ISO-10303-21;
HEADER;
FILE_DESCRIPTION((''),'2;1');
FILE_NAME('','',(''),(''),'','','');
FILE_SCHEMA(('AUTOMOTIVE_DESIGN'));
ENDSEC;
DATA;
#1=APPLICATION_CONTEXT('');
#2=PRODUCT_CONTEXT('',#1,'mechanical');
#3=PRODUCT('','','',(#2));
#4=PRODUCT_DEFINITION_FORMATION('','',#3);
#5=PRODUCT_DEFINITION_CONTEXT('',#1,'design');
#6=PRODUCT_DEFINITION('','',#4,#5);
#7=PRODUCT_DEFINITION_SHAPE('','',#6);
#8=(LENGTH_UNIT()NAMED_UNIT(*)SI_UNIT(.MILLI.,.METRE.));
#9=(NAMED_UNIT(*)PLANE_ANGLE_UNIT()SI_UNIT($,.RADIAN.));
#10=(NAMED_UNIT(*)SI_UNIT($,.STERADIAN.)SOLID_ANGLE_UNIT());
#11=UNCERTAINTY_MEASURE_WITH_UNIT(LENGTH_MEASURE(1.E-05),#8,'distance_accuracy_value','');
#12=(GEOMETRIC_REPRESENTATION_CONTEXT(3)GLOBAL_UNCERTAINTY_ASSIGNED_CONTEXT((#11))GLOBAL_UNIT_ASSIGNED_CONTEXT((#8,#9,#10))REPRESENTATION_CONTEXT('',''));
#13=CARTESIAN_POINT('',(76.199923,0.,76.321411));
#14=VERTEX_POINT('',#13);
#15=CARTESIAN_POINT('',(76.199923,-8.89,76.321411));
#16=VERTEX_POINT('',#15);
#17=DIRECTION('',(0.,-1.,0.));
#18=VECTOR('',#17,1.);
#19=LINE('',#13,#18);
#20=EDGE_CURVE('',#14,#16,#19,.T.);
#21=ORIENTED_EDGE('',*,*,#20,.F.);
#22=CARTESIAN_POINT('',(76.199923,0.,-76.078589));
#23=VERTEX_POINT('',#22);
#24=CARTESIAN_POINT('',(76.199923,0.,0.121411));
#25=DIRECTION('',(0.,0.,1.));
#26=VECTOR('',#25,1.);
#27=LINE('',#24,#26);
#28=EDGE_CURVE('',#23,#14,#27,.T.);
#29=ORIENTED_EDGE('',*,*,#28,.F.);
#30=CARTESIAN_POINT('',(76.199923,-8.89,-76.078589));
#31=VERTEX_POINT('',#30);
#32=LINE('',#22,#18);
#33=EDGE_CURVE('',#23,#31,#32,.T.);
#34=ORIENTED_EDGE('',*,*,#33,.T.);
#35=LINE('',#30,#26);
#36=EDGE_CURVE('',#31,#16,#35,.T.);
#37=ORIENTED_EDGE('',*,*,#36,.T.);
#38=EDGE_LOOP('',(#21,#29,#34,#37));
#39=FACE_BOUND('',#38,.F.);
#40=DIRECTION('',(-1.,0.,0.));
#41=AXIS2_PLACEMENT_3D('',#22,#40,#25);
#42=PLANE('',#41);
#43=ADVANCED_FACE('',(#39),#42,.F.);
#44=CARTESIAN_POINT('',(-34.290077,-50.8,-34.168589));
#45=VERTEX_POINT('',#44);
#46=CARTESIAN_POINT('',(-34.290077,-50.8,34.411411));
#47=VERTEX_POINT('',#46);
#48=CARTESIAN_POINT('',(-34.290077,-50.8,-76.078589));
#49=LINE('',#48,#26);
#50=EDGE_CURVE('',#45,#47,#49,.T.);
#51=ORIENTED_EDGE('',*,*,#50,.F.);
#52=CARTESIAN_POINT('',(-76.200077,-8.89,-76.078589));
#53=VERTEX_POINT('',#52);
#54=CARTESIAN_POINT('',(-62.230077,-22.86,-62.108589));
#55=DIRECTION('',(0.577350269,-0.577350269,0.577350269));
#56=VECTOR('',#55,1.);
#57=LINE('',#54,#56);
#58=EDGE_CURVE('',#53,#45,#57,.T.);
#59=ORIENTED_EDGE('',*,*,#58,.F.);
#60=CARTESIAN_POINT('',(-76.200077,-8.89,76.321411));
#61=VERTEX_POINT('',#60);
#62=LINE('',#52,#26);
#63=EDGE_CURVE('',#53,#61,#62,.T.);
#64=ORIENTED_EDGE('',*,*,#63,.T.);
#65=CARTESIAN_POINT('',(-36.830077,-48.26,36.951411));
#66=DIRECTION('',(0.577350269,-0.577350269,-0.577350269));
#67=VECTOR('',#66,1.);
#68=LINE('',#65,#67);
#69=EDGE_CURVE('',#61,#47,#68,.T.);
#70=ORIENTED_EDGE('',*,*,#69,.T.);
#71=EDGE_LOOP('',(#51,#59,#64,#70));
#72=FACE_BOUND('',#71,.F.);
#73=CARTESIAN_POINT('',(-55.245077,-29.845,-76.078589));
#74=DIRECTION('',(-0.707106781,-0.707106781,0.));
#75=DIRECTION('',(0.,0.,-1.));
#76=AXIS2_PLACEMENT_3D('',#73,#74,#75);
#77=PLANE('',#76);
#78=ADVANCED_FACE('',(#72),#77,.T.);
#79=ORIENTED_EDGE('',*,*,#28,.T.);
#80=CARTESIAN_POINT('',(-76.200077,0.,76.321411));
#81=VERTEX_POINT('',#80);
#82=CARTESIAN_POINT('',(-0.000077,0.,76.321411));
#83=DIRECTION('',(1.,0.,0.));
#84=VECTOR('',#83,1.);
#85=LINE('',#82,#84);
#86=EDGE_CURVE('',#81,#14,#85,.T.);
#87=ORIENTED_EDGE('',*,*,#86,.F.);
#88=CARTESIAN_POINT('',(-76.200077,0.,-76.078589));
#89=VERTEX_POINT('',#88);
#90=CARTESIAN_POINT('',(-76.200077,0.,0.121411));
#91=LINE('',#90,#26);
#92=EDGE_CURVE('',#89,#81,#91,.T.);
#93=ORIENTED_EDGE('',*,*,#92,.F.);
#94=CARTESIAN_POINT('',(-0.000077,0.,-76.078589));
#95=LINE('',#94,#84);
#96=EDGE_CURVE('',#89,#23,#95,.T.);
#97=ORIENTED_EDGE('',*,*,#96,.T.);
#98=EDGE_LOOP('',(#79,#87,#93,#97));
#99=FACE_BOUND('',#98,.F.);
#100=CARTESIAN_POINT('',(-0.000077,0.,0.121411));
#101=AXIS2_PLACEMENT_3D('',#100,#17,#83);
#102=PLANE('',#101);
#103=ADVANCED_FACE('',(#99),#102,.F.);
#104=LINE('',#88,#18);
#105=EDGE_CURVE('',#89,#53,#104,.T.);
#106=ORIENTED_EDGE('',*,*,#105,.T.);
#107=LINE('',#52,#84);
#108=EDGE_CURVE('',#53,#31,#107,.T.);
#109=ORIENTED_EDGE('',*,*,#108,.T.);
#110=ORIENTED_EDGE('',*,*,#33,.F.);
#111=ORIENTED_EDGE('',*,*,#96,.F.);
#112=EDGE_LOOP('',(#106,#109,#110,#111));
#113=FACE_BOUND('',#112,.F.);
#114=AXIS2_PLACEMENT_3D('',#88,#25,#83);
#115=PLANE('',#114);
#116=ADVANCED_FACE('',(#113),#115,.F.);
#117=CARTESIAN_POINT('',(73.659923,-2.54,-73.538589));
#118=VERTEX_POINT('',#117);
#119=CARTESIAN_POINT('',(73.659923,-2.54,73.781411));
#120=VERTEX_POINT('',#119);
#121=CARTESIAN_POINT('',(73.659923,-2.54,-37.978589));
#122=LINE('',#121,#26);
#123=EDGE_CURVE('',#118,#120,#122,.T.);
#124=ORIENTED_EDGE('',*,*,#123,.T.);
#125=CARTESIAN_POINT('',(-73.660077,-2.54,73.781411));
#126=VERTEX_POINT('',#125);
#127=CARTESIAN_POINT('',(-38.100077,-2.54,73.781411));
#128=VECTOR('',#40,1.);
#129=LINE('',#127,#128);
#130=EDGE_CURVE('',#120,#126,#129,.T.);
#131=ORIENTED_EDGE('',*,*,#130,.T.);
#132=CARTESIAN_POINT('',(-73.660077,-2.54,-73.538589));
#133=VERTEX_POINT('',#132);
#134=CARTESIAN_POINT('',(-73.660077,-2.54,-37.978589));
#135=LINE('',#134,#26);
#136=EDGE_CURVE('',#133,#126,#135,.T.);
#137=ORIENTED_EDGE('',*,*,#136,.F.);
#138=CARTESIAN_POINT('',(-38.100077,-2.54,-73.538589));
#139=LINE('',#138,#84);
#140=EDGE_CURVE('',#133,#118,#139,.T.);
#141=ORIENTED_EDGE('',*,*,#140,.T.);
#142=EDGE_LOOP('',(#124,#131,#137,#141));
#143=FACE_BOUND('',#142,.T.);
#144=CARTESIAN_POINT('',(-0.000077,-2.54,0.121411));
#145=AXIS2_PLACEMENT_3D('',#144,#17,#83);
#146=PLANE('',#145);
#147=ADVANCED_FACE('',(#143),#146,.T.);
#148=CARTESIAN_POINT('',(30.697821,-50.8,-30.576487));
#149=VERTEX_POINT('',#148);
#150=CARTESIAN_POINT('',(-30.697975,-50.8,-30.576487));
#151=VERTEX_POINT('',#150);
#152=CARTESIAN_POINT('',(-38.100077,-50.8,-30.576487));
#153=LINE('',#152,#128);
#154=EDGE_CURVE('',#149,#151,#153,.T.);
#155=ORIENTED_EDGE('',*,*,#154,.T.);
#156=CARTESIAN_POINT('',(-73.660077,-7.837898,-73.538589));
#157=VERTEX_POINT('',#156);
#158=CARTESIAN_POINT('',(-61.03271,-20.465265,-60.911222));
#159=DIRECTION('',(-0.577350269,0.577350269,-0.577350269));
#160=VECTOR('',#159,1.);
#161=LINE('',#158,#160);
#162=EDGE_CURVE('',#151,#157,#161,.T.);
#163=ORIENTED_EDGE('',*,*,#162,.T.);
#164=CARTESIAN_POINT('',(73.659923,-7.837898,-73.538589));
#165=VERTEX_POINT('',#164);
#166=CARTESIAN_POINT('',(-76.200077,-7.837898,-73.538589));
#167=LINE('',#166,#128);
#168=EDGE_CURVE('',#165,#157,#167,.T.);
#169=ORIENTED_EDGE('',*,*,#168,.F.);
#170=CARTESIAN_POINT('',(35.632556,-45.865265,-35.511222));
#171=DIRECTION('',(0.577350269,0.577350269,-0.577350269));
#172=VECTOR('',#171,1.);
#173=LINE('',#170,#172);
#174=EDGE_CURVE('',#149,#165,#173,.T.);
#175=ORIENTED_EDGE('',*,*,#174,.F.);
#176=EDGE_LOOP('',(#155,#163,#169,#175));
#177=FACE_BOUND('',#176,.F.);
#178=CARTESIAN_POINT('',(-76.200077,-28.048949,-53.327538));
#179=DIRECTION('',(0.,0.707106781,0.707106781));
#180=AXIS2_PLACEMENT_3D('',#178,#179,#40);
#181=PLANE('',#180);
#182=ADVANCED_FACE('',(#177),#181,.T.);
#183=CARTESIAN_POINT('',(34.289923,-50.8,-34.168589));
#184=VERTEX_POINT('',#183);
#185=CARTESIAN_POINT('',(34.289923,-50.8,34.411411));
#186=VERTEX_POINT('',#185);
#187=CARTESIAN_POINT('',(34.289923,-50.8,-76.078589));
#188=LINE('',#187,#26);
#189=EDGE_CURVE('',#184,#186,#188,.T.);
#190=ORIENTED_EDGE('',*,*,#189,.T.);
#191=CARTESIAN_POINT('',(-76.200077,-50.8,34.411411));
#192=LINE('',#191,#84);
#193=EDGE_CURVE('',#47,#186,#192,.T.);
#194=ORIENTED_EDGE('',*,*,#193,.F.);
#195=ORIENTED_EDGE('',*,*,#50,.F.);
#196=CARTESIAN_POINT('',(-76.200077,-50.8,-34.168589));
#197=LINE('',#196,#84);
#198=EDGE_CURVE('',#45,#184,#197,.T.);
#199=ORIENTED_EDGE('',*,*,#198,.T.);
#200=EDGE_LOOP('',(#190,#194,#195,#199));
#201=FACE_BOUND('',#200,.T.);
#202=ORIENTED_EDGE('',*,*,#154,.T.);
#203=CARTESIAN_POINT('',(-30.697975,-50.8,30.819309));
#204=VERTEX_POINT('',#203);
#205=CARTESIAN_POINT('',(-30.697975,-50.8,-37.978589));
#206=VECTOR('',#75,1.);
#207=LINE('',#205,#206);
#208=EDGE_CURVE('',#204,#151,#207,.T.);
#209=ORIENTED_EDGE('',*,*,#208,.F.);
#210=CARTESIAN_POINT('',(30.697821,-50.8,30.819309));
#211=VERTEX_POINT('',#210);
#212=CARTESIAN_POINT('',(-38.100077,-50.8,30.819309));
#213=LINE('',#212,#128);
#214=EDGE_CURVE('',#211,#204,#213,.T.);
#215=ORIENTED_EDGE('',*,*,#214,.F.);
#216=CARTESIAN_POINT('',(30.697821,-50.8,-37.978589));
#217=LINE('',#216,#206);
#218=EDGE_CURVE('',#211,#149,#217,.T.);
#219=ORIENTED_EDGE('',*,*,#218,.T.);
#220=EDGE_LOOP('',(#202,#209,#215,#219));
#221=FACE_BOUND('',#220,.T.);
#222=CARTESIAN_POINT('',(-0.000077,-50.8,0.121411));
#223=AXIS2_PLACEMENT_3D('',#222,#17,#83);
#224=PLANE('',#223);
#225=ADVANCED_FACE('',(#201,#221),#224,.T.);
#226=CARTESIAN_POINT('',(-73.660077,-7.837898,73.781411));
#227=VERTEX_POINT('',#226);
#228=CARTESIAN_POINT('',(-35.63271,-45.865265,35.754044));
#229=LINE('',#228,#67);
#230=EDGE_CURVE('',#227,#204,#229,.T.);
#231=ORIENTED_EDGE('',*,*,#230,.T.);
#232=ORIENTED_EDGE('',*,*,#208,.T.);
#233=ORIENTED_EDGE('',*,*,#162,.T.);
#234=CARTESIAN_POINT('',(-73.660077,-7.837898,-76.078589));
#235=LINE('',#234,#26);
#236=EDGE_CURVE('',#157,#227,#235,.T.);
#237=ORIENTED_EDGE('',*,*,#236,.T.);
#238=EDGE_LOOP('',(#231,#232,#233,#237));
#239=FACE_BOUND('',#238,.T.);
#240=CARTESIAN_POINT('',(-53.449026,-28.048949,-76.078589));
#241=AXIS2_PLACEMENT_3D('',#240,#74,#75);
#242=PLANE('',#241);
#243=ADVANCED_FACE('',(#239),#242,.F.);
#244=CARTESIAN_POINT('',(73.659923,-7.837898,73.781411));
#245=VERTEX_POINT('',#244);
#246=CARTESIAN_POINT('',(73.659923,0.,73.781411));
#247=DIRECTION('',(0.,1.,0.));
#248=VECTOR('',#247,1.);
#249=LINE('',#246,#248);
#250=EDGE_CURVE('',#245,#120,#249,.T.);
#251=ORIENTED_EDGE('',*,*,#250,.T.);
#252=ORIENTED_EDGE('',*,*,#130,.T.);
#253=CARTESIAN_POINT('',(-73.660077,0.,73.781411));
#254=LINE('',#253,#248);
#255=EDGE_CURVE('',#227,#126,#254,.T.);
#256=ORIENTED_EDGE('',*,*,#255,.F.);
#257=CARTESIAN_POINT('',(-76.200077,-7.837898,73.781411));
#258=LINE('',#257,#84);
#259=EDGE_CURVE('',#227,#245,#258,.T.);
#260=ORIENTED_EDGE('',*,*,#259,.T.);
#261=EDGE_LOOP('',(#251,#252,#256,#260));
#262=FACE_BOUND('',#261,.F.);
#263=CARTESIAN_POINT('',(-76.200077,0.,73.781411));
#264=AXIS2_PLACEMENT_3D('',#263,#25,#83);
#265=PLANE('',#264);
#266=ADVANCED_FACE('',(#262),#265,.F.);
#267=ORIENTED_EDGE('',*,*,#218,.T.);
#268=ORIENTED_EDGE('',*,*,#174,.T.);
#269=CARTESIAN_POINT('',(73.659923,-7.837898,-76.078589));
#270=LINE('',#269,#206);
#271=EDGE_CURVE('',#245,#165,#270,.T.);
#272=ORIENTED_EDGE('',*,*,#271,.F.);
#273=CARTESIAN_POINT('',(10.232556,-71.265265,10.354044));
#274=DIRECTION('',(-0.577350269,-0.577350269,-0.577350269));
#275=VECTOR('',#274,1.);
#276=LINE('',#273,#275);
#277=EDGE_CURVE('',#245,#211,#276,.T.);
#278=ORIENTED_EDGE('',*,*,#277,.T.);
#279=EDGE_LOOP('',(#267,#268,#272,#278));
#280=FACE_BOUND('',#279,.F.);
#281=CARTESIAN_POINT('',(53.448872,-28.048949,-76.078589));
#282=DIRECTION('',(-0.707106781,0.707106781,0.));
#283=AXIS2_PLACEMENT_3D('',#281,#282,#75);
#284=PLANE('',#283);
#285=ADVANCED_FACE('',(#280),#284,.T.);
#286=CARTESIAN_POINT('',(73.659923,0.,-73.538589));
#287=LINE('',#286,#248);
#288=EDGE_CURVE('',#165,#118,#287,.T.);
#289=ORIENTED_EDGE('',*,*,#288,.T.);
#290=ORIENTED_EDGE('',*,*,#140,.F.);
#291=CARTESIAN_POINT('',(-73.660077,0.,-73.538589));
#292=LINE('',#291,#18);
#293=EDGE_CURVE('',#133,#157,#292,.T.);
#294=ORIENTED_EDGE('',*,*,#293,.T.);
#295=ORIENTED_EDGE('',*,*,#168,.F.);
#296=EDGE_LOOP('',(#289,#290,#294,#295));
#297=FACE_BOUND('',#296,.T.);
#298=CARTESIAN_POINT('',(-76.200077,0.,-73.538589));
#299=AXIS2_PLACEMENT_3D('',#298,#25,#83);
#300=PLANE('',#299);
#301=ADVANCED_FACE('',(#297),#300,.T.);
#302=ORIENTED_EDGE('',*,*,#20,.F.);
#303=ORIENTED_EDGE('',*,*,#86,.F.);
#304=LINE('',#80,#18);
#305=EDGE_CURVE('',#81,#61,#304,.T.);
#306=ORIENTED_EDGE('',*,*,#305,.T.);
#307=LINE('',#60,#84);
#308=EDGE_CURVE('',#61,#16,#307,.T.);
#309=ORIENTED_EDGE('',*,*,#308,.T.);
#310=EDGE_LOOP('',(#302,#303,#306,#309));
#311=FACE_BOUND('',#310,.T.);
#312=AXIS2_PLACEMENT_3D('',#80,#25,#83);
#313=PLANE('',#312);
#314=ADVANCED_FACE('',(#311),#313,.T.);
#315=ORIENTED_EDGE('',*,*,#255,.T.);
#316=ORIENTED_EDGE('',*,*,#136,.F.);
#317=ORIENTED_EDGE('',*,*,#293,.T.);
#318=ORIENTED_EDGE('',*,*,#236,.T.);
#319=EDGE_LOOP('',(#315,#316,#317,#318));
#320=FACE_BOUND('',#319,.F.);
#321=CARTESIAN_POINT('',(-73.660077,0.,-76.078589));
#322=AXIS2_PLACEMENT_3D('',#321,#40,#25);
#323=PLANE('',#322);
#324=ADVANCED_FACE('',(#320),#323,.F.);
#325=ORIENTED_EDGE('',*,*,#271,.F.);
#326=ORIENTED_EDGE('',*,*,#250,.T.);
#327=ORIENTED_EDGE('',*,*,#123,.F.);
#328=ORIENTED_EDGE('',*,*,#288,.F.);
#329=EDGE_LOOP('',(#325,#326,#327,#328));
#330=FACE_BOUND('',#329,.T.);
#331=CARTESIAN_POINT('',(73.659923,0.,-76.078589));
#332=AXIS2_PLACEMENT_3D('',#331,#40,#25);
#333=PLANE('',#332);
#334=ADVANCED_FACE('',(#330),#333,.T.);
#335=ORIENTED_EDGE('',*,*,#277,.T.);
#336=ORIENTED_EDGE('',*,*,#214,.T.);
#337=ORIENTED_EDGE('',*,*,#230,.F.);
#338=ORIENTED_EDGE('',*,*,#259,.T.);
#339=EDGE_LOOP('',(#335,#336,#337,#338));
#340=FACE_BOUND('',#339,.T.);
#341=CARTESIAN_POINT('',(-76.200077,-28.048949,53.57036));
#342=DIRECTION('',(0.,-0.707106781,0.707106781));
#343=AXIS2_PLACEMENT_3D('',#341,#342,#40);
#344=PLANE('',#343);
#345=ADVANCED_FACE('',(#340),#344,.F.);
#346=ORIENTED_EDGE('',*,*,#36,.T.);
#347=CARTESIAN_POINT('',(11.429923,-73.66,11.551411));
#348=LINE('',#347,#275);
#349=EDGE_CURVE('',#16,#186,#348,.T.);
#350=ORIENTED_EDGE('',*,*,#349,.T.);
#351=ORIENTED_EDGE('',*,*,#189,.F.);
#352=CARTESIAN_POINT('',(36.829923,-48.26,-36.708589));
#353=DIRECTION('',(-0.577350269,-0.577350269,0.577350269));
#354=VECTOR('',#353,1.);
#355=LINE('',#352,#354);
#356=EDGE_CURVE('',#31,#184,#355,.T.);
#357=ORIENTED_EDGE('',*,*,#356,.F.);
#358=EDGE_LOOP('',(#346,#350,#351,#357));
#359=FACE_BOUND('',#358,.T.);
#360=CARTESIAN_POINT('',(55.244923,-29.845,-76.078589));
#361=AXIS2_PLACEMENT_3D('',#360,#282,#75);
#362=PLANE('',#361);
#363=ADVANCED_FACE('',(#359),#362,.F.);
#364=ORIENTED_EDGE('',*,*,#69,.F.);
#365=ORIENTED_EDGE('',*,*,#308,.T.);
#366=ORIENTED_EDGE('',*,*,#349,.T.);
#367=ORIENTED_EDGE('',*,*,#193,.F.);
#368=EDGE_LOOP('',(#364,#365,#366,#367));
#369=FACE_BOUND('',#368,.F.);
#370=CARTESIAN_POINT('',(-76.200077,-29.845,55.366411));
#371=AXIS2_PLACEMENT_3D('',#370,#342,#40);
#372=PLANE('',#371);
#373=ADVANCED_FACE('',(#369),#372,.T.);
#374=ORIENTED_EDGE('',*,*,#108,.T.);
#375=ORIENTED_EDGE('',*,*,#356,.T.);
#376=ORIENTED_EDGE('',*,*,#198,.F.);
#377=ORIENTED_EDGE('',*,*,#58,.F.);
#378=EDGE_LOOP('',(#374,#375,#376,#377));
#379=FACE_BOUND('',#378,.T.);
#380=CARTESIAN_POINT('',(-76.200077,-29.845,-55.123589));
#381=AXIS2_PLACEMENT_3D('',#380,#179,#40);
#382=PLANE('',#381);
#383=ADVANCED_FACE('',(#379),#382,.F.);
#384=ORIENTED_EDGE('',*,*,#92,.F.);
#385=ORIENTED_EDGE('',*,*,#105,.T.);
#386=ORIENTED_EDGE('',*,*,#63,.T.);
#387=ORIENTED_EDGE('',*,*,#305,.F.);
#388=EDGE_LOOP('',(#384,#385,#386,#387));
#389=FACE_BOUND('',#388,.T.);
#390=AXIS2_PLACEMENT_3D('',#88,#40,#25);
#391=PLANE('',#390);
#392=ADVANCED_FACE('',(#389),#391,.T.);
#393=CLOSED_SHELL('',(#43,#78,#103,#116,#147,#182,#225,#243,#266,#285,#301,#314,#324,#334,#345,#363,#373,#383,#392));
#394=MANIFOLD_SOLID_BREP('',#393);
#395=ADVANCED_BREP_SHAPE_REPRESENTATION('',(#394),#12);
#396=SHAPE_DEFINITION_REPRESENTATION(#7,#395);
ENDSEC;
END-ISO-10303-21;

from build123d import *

# Parameters (mm, degrees)
F0_W     = 152.4
F0_H     = 152.4
F1_DEPTH = 50.8
F2_SIZE  = 41.91
F3_T     = -2.54


with BuildPart() as f1:
    # F0 (on Front) → F1 (new body)
    with BuildSketch(Plane.XZ):
        with Locations((-7.7e-05, 0.121411)):
            Rectangle(F0_W, F0_H)
    extrude(amount=F1_DEPTH)

    # F2
    f2_edges = [f1.edges().sort_by_distance(p)[0] for p in [
        (-7.7e-05, -50.8, 76.321411),
        (-76.200077, -50.8, 0.121411),
        (-7.7e-05, -50.8, -76.078589),
        (76.199923, -50.8, 0.121411),
    ]]
    chamfer(f2_edges, length=F2_SIZE)

    # F3
    f3_openings = [f1.faces().sort_by_distance(p)[0] for p in [
        (-7.7e-05, -50.8, 0.121411),
    ]]
    offset(amount=F3_T, openings=f3_openings)


solid = f1.part
